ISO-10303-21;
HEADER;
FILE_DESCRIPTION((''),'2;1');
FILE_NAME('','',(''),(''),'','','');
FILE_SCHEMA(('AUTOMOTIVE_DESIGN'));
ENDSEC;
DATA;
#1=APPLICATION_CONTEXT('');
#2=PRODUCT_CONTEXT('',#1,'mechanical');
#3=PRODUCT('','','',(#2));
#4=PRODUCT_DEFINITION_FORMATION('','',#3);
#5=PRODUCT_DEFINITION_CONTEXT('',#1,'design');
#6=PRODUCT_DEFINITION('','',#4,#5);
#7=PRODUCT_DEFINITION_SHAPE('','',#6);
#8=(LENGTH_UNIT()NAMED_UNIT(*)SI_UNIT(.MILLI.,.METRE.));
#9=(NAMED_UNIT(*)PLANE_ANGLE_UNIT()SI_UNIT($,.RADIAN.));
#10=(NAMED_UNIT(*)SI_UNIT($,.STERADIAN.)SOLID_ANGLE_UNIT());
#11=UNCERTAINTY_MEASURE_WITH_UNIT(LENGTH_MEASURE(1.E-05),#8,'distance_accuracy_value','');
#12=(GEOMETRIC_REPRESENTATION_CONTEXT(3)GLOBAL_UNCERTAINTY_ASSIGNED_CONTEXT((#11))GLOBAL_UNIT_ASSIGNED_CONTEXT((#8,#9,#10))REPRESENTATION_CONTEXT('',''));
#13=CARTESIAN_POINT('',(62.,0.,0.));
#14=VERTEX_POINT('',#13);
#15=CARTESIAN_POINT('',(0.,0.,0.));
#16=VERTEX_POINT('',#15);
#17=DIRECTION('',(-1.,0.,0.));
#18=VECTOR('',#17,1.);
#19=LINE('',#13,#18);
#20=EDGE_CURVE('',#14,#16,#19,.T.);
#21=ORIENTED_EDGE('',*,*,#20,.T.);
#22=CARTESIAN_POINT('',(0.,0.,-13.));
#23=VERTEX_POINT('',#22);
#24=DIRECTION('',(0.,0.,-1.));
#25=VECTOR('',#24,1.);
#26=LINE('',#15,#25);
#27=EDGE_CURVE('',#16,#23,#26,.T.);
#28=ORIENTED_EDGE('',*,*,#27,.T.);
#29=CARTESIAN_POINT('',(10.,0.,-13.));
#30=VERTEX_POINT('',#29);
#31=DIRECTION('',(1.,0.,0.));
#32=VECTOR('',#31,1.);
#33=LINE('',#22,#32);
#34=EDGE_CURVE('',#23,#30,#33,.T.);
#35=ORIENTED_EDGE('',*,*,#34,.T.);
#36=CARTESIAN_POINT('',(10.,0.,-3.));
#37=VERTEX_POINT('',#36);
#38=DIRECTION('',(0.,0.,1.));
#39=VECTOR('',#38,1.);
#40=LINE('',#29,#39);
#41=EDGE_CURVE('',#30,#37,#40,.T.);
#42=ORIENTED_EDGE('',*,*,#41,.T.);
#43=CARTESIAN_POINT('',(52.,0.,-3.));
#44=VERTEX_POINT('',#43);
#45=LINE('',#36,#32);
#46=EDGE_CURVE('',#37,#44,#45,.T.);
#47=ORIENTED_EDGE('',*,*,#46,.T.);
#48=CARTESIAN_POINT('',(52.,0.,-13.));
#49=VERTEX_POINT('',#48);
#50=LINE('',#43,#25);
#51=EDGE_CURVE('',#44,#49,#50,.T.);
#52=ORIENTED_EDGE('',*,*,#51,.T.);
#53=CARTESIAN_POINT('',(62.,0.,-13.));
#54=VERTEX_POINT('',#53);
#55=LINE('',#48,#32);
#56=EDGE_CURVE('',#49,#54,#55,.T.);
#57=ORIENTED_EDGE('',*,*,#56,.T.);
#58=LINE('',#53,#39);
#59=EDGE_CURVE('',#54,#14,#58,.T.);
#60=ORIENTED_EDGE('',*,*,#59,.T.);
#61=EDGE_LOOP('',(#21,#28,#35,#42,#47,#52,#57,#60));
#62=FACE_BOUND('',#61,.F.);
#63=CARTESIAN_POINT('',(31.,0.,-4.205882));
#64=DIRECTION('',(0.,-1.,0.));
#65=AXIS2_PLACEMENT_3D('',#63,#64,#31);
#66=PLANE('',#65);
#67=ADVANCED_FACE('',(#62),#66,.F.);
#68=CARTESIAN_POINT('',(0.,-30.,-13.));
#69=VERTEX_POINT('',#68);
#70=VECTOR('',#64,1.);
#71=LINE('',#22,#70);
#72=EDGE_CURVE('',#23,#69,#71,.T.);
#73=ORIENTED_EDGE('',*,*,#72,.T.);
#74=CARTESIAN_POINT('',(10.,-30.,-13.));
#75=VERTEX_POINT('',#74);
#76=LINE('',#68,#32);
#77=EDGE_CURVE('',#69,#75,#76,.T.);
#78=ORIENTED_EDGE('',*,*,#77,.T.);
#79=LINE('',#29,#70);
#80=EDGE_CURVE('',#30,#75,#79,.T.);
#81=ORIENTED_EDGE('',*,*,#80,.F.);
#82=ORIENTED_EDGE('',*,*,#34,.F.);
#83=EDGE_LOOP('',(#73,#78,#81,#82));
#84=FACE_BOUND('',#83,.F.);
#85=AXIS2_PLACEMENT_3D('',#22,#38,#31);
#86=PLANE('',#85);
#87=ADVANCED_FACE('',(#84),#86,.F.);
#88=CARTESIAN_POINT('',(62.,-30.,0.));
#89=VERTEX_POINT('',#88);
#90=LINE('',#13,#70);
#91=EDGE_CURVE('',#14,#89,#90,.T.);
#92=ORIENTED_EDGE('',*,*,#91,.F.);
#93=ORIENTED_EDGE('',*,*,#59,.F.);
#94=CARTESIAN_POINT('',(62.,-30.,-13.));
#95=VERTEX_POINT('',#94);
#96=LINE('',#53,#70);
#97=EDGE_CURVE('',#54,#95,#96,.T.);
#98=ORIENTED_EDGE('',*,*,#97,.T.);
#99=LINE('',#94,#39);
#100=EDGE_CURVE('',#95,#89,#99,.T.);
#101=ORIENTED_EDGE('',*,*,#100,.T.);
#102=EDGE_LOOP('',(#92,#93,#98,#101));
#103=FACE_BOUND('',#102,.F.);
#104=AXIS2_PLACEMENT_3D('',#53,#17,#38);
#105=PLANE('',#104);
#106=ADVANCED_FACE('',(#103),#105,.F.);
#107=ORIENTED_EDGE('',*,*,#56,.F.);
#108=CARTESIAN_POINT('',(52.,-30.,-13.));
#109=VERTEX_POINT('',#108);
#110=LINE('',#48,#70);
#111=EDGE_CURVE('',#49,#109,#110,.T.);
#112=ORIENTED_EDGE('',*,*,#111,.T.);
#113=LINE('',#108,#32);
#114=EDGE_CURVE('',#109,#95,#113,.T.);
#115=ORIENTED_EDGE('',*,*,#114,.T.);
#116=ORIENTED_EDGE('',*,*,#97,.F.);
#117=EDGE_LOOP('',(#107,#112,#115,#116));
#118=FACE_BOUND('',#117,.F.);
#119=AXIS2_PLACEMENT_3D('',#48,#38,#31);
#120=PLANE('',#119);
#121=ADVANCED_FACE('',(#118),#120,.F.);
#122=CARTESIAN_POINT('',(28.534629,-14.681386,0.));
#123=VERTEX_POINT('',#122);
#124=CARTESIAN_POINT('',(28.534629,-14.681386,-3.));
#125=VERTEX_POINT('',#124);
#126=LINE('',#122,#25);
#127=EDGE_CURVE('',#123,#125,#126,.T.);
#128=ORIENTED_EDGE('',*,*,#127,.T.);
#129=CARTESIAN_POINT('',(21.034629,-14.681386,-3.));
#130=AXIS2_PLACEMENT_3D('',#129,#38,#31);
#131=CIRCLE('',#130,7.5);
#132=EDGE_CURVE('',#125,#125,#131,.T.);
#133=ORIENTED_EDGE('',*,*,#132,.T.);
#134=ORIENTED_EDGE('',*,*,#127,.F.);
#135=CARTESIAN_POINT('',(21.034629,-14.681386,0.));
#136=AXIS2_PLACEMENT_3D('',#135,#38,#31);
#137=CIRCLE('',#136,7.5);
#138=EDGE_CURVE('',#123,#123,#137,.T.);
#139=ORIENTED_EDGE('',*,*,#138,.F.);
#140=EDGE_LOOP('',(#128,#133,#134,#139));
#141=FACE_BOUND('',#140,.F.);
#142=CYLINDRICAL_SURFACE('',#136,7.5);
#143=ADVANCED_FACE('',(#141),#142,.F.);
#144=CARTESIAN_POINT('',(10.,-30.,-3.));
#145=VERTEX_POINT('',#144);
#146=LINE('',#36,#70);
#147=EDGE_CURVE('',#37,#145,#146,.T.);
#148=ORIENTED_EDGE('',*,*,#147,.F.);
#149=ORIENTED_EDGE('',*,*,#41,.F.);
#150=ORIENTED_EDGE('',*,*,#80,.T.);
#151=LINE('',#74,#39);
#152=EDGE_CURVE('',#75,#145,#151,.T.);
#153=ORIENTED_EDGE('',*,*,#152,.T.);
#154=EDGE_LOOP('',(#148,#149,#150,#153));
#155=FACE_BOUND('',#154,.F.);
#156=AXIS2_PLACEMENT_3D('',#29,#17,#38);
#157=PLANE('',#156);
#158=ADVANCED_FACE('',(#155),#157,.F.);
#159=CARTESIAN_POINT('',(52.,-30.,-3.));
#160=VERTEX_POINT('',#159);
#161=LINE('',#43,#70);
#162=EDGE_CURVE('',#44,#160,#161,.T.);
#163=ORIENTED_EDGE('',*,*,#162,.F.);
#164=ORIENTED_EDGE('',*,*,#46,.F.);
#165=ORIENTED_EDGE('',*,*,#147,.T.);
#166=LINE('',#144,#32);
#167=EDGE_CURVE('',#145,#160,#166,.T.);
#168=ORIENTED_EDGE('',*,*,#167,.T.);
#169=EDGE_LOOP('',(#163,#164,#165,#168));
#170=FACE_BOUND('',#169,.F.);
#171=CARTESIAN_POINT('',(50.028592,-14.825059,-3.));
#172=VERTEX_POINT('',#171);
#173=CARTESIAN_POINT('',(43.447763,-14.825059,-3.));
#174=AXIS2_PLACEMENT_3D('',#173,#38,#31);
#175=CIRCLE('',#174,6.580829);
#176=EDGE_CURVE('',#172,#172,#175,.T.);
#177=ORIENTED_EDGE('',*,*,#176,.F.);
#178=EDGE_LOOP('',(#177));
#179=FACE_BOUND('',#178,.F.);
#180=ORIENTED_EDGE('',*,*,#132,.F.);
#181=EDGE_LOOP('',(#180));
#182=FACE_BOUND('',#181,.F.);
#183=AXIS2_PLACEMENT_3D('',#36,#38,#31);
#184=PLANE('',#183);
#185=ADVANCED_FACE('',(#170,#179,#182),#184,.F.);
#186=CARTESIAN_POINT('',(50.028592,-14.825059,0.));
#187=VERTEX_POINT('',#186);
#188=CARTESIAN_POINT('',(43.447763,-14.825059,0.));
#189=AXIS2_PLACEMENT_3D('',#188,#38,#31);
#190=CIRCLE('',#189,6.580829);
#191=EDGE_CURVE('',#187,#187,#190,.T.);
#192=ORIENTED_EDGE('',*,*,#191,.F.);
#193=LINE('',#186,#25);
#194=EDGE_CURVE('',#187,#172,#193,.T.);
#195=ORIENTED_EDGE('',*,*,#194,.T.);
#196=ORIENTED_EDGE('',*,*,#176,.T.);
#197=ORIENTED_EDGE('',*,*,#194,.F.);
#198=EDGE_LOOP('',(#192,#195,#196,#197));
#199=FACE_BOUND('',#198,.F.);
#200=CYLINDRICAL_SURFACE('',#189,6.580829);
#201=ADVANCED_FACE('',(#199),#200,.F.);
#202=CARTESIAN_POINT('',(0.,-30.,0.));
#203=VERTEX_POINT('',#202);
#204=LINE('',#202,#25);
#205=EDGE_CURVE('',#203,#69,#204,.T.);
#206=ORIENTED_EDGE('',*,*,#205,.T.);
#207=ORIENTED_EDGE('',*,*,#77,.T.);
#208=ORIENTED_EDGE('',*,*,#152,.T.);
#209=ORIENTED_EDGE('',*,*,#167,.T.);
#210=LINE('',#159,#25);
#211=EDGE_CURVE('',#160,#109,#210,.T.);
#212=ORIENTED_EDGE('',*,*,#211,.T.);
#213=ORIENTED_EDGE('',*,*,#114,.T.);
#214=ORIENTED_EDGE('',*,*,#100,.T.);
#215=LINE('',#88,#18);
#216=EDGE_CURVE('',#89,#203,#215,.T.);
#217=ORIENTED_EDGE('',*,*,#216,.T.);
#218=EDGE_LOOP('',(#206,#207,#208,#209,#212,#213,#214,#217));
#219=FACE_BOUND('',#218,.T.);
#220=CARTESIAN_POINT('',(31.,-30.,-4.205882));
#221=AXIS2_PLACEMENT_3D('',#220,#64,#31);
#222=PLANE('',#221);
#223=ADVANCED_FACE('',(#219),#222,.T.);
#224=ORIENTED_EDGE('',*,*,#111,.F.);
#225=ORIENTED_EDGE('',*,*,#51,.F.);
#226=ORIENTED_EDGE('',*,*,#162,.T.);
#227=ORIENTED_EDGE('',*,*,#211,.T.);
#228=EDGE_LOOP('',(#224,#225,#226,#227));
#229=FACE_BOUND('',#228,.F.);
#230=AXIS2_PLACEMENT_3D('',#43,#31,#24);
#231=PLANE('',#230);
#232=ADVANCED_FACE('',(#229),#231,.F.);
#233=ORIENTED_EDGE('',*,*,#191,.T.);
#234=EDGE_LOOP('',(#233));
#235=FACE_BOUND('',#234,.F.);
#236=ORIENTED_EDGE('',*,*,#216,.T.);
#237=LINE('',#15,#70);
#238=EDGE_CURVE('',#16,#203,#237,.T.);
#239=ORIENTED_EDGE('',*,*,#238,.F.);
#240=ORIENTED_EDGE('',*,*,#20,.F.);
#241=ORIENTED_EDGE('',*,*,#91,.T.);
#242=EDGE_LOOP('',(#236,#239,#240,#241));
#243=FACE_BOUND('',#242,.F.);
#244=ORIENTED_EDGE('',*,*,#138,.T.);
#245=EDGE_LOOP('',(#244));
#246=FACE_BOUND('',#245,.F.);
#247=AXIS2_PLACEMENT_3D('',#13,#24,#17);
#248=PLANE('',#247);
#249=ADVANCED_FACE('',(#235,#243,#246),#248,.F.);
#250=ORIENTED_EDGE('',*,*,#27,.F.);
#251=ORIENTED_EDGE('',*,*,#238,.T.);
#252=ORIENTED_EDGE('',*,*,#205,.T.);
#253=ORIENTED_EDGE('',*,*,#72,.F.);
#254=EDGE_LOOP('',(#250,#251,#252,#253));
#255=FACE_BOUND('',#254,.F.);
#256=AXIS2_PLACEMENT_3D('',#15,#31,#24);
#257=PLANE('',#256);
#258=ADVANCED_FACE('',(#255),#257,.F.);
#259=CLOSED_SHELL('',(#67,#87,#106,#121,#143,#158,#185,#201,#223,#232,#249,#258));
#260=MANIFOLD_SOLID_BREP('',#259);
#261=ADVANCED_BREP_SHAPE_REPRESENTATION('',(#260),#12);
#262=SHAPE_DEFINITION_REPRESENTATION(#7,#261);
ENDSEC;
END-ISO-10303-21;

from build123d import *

# Parameters (mm, degrees)
F2_DEPTH = 30
F3_R     = 7.5
F3_R_2   = 6.580829
F4_DEPTH = 13.001


with BuildPart() as f2:
    # F0 (on Front) → F2 (new body)
    with BuildSketch(Plane.XZ):
        Polygon((62, 0), (0, 0), (0, -13), (10, -13), (10, -3), (52, -3), (52, -13), (62, -13), align=None)
    extrude(amount=F2_DEPTH)

    # F3 (on face) → F4 (cut, through all)
    with BuildSketch(Plane.XY):
        with Locations((21.034629, -14.681386)):
            Circle(F3_R)
        with Locations((43.447763, -14.825059)):
            Circle(F3_R_2)
    extrude(amount=-F4_DEPTH, mode=Mode.SUBTRACT)


solid = f2.part
